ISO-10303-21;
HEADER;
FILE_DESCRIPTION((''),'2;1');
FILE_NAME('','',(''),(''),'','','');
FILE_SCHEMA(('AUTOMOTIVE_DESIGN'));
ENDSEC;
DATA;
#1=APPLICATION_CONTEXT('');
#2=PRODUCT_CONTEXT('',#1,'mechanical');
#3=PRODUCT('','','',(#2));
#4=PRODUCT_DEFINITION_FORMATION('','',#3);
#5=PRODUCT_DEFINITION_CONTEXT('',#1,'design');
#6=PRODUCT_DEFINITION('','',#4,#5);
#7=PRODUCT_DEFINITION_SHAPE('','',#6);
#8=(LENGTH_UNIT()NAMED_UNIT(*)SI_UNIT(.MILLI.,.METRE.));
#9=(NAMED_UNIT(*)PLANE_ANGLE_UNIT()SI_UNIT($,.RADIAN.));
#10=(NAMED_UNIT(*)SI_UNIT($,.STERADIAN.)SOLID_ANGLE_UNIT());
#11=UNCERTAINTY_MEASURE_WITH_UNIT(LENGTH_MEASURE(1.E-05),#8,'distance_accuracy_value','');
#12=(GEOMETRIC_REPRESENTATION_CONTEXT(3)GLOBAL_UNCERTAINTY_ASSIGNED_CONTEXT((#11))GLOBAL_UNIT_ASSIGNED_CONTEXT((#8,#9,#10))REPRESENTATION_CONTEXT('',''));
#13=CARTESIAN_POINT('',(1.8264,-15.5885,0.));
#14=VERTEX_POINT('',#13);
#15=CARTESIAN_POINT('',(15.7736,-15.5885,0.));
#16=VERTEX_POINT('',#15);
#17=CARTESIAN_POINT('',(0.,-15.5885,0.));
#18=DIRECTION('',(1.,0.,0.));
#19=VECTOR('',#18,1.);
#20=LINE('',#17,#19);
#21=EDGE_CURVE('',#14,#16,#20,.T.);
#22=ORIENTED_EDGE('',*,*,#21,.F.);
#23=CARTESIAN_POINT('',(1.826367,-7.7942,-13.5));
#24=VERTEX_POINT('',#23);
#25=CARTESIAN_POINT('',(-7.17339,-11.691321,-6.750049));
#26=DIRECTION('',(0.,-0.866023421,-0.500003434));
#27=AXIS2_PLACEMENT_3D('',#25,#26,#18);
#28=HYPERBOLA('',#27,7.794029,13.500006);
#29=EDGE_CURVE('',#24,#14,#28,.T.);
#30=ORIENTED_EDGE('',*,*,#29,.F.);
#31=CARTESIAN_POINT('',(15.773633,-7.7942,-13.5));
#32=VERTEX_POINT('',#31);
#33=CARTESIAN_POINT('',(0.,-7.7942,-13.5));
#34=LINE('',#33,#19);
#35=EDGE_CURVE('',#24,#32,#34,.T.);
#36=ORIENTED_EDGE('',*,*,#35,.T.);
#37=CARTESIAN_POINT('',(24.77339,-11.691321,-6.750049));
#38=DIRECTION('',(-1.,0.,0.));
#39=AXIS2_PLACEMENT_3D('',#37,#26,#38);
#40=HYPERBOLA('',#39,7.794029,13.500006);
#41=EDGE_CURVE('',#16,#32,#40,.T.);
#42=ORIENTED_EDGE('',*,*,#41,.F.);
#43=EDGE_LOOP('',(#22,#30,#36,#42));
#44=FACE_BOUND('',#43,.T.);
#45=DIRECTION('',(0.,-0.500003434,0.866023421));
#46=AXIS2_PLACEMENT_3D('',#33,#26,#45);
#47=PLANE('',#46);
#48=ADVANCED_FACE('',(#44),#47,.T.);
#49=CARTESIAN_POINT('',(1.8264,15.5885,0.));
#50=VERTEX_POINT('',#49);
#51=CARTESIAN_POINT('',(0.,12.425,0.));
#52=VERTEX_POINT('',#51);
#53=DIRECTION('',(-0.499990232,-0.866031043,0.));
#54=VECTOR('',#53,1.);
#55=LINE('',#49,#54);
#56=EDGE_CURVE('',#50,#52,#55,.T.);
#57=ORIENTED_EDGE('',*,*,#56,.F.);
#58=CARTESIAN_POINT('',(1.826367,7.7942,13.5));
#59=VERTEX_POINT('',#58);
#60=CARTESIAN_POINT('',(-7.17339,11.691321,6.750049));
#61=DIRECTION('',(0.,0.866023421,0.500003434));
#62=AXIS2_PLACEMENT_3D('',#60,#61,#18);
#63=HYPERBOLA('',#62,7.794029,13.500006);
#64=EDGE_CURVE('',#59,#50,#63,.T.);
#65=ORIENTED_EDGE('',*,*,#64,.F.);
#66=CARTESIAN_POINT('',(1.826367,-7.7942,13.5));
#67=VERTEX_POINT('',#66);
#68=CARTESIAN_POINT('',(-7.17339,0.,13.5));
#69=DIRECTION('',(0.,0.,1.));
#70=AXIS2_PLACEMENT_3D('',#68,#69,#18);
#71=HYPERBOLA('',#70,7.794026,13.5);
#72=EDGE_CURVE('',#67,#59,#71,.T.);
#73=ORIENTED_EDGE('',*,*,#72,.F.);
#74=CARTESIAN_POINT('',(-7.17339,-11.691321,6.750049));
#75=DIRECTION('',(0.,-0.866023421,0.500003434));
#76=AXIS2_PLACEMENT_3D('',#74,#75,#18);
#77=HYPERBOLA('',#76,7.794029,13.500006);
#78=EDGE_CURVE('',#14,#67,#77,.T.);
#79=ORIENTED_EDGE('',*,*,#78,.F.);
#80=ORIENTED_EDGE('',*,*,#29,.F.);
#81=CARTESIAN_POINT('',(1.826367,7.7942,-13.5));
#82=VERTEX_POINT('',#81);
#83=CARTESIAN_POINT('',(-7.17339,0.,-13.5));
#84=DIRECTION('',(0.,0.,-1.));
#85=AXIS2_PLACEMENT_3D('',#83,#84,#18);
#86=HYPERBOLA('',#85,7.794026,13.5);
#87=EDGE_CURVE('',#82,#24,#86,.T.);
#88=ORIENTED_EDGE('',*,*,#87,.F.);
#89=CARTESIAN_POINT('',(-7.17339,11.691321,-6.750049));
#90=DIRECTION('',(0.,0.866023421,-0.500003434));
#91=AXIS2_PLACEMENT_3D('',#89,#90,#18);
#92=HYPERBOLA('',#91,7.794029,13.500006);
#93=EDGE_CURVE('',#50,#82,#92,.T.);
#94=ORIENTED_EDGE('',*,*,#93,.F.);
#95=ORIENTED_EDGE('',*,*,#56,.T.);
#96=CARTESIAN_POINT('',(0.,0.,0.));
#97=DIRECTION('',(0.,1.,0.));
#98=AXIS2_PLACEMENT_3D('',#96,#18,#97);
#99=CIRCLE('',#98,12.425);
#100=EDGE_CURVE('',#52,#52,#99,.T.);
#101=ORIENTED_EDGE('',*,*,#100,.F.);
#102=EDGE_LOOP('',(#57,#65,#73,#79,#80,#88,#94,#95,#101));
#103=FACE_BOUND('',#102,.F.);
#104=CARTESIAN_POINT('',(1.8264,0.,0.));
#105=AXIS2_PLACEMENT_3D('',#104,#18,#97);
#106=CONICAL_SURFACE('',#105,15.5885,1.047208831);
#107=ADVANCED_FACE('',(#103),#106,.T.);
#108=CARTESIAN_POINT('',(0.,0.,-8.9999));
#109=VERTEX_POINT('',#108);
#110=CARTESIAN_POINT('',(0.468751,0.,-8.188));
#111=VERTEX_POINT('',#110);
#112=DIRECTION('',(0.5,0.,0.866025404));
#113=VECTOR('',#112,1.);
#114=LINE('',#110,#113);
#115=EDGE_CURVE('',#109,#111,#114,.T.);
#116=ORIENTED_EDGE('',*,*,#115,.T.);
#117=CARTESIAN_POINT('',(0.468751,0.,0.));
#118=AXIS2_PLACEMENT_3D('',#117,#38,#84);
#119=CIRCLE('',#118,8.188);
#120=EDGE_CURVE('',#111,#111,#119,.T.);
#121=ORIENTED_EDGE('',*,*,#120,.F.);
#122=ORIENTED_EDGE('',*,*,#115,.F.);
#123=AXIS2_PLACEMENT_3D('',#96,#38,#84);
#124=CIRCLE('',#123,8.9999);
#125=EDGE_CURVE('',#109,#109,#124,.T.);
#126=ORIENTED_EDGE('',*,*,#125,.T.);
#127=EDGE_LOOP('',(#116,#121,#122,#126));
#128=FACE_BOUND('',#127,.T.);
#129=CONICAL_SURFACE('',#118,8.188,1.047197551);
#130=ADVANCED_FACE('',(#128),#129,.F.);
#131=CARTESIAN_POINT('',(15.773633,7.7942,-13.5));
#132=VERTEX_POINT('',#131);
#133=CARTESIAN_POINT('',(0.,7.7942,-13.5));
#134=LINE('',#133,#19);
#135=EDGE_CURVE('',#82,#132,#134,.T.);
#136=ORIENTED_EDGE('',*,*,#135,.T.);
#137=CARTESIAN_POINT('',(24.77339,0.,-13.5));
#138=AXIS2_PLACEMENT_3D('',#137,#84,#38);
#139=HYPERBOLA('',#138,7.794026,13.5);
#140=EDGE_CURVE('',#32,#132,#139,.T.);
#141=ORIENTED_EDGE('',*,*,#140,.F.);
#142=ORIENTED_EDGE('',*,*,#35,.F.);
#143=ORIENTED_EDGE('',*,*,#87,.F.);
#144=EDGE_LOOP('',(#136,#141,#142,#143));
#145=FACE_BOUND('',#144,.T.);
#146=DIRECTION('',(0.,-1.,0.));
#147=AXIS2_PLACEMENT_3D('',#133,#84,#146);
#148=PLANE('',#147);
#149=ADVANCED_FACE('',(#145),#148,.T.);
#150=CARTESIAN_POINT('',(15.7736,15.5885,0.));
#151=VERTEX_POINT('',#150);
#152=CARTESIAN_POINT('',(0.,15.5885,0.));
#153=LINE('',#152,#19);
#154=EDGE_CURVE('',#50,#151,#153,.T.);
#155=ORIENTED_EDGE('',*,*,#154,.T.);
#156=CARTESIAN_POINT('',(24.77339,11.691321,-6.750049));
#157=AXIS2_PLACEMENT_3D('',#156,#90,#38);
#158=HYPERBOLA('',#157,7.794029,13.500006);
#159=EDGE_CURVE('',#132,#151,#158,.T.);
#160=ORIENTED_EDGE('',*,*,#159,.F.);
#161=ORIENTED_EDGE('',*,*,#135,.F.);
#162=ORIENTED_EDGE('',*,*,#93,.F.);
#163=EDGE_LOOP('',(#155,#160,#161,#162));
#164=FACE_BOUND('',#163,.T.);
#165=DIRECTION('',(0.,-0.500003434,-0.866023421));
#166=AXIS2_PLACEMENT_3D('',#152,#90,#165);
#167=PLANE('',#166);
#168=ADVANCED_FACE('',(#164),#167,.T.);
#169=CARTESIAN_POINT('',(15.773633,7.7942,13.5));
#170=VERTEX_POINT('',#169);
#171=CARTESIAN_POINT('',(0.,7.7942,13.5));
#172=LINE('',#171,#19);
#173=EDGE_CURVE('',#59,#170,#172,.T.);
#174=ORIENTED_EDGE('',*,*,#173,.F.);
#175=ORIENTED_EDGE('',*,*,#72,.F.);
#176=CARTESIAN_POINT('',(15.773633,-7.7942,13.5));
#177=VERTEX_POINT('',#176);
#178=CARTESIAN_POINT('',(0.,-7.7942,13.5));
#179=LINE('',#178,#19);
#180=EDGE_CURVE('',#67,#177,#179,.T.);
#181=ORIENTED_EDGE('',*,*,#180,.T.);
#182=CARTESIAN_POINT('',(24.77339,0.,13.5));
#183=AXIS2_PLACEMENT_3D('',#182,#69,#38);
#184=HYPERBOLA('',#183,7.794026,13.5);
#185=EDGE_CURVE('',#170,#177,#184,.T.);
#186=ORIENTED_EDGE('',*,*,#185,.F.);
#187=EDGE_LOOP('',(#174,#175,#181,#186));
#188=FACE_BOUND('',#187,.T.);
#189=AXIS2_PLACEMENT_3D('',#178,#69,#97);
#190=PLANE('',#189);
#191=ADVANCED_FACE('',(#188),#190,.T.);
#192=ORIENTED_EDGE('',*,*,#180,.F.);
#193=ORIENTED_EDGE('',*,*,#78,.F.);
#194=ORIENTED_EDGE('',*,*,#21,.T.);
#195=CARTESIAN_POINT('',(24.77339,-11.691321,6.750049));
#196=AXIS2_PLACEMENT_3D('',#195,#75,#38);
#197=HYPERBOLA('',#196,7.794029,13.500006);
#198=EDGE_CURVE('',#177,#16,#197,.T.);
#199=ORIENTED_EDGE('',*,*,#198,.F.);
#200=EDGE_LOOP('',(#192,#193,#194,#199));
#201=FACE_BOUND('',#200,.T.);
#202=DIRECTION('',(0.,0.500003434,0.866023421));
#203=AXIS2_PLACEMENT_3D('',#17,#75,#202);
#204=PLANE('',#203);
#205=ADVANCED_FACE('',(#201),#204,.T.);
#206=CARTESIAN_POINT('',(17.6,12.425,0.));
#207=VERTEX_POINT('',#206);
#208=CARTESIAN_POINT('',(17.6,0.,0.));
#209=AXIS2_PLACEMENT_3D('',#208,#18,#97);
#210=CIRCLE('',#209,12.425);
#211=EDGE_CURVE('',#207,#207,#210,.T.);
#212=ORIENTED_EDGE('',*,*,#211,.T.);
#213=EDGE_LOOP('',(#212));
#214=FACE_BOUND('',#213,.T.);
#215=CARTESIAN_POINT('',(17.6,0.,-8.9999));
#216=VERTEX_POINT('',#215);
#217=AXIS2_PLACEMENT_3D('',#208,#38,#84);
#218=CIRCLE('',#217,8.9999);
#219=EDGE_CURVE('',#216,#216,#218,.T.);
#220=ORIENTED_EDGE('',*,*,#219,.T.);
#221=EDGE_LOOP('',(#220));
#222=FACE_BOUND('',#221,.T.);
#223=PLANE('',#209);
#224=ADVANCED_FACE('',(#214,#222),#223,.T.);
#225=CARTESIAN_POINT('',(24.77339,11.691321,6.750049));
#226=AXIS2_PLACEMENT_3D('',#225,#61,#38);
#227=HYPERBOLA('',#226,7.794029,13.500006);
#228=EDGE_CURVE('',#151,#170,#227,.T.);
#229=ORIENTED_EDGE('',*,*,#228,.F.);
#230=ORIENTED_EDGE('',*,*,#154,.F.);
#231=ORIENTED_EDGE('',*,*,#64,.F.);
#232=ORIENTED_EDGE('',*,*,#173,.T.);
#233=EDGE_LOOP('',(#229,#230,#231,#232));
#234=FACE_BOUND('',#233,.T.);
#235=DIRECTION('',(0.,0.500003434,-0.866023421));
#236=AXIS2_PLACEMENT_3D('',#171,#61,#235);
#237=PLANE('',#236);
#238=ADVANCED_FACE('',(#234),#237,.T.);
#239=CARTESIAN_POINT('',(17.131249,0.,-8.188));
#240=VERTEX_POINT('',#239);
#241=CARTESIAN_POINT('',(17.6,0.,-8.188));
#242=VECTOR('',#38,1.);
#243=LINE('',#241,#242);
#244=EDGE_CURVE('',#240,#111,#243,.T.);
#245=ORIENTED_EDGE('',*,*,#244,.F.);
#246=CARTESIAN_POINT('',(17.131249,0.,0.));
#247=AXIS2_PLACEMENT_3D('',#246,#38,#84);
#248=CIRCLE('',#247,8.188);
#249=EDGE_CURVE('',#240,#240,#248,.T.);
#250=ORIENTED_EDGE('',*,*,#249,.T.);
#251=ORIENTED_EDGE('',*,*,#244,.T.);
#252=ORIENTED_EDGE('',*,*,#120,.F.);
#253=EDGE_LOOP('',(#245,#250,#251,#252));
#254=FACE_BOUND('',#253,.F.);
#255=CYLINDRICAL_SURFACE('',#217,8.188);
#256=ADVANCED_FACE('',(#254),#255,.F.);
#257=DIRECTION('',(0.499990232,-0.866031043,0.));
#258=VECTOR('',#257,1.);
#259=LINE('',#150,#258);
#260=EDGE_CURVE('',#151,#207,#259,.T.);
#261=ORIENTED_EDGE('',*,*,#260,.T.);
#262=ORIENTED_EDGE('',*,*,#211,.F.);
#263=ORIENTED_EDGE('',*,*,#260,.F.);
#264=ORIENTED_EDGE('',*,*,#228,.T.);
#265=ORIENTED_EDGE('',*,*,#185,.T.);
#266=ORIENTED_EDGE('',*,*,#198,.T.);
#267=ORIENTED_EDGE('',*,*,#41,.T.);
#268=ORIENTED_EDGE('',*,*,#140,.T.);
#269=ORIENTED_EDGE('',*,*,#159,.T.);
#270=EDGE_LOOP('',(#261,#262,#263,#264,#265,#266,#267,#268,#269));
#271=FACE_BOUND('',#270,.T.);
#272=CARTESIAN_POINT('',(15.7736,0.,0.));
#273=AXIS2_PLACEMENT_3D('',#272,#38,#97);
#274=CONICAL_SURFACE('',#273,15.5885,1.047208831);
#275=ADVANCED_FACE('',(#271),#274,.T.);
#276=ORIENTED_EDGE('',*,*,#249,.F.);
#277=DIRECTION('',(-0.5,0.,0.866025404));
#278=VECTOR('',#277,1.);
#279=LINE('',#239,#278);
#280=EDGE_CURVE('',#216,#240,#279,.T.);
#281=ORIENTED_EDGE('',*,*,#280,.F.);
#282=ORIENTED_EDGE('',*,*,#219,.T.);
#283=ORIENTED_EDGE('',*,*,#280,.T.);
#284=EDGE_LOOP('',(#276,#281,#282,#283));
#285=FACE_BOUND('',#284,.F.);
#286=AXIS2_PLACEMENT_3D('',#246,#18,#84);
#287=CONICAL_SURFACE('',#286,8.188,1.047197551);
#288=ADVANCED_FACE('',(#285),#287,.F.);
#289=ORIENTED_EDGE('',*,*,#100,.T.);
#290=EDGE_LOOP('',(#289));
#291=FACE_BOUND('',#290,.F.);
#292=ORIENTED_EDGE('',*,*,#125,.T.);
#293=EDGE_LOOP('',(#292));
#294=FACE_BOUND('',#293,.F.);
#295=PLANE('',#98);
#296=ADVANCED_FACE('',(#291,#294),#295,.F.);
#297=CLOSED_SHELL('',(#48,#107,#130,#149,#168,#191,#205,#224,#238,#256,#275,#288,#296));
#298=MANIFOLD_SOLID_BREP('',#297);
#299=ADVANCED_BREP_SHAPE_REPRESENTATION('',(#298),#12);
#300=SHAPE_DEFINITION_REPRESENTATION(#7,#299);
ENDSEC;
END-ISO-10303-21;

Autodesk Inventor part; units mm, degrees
ref_plane "YZ Plane" through (0, 0, 0) normal (1, 0, 0) x (0, 1, 0)
ref_plane "XZ Plane" through (0, 0, 0) normal (0, 1, 0) x (-1, 0, 0)
sketch "Sketch1" plane through (0, 0, 0) normal (1, 0, 0) x (0, 1, 0)
  line L0 (-15.5885, 0) -> (-7.7942, 13.5)
  line L1 (-7.7942, 13.5) -> (7.7942, 13.5)
  line L2 (7.7942, 13.5) -> (15.5885, 0)
  line L3 (15.5885, 0) -> (7.7942, -13.5)
  line L4 (7.7942, -13.5) -> (-7.7942, -13.5)
  line L5 (-7.7942, -13.5) -> (-15.5885, 0)
  point P0 (0, 0)
  point P1 (0, 0)
  dimension "d0" = 31.1769
extrude "Body" add sketch "Sketch1" along normal blind 17.6
sketch "Sketch2" plane through (0, 0, 0) normal (0, 0, 1) x (1, 0, 0)
  line L0 (0, 7.7942) -> (0, 15.5885) projected
  line L1 (0, 15.5885) -> (17.6, 15.5885) projected
  line L2 (17.6, 7.7942) -> (17.6, 15.5885) projected
  line L3 (-3.52, 0) -> (21.12, 0) projected
  line L4 (1.8264, 15.5885) -> (0, 12.425)
  line L5 (15.7736, 15.5885) -> (17.6, 12.425)
  dimension "d3" = 30
  dimension "d4" = 30
  dimension "d5" = 24.85
  dimension "d6" = 24.85
revolve "Chamfer1" cut sketch "Sketch2" angle 360 about axis through (-10, 0, 0) along (1, 0, 0)
sketch "Sketch3" plane through (17.6, 0, 0) normal (1, 0, 0) x (0, 0, -1)
  arc A0 (-0.625, -1.0825) -> (0.625, -1.0825) centre (0, 0) ccw projected
hole "Thread" at (17.6, 0, 0) direction (-1, 0, 0) diameter 16.376 end through all thread size "M18x1.5" class "6H" standard "ISO Metric profile"
chamfer "Chamfer2" distance 0.8119 angle 30 1 edges at (17.6, 0, 8.188) measured on face at (17.6, 10.8724, -1.3202)
chamfer "Chamfer3" distance 0.8119 angle 30 1 edges at (0, 0, 8.188) measured on face at (0, 10.8724, -1.3202)
ref_plane "Work Plane1" through (-27.5807, 0, 0) normal (0, -0.866, -0.5) x (1, 0, 0)
equation "\"d0\" = 1.1547 * SW"
equation "\"d1\" = KOH"
equation "\"d3\" = ANG1"
equation "\"d4\" = ANG2"
equation "\"d5\" = SW0"
equation "\"d6\" = SW01"
equation "\"d8\" = -0.5 * GD1 + 0.5 * NND"
equation "\"d40\" = -0.5 * GD1 + 0.5 * NND"
equation "\"d10\" = -0.5 * GD1 + 0.5 * NND"
equation "\"d41\" = -0.5 * GD1 + 0.5 * NND"
equation "\"ANG1\" = 30deg"
equation "\"ANG2\" = 30deg"
equation "\"NND\" = 18"
equation "\"KOH\" = 17.6"
equation "\"SW\" = 27"
equation "\"SW0\" = 24.85"
equation "\"SW01\" = SW0"
equation "\"GUL\" = 0.541266 * PTC"
equation "\"THREADDIA\" = 18"
equation "\"TOA\" = 30deg"
equation "\"PTC\" = 1.5"
equation "\"E0\" = 1.155 * SW"
equation "\"GAL\" = 0.541266 * PTC"
equation "\"GD1\" = 16.376202"
properties part number "ISO 8674 - M18 x 1.5" material "Stainless Steel"
